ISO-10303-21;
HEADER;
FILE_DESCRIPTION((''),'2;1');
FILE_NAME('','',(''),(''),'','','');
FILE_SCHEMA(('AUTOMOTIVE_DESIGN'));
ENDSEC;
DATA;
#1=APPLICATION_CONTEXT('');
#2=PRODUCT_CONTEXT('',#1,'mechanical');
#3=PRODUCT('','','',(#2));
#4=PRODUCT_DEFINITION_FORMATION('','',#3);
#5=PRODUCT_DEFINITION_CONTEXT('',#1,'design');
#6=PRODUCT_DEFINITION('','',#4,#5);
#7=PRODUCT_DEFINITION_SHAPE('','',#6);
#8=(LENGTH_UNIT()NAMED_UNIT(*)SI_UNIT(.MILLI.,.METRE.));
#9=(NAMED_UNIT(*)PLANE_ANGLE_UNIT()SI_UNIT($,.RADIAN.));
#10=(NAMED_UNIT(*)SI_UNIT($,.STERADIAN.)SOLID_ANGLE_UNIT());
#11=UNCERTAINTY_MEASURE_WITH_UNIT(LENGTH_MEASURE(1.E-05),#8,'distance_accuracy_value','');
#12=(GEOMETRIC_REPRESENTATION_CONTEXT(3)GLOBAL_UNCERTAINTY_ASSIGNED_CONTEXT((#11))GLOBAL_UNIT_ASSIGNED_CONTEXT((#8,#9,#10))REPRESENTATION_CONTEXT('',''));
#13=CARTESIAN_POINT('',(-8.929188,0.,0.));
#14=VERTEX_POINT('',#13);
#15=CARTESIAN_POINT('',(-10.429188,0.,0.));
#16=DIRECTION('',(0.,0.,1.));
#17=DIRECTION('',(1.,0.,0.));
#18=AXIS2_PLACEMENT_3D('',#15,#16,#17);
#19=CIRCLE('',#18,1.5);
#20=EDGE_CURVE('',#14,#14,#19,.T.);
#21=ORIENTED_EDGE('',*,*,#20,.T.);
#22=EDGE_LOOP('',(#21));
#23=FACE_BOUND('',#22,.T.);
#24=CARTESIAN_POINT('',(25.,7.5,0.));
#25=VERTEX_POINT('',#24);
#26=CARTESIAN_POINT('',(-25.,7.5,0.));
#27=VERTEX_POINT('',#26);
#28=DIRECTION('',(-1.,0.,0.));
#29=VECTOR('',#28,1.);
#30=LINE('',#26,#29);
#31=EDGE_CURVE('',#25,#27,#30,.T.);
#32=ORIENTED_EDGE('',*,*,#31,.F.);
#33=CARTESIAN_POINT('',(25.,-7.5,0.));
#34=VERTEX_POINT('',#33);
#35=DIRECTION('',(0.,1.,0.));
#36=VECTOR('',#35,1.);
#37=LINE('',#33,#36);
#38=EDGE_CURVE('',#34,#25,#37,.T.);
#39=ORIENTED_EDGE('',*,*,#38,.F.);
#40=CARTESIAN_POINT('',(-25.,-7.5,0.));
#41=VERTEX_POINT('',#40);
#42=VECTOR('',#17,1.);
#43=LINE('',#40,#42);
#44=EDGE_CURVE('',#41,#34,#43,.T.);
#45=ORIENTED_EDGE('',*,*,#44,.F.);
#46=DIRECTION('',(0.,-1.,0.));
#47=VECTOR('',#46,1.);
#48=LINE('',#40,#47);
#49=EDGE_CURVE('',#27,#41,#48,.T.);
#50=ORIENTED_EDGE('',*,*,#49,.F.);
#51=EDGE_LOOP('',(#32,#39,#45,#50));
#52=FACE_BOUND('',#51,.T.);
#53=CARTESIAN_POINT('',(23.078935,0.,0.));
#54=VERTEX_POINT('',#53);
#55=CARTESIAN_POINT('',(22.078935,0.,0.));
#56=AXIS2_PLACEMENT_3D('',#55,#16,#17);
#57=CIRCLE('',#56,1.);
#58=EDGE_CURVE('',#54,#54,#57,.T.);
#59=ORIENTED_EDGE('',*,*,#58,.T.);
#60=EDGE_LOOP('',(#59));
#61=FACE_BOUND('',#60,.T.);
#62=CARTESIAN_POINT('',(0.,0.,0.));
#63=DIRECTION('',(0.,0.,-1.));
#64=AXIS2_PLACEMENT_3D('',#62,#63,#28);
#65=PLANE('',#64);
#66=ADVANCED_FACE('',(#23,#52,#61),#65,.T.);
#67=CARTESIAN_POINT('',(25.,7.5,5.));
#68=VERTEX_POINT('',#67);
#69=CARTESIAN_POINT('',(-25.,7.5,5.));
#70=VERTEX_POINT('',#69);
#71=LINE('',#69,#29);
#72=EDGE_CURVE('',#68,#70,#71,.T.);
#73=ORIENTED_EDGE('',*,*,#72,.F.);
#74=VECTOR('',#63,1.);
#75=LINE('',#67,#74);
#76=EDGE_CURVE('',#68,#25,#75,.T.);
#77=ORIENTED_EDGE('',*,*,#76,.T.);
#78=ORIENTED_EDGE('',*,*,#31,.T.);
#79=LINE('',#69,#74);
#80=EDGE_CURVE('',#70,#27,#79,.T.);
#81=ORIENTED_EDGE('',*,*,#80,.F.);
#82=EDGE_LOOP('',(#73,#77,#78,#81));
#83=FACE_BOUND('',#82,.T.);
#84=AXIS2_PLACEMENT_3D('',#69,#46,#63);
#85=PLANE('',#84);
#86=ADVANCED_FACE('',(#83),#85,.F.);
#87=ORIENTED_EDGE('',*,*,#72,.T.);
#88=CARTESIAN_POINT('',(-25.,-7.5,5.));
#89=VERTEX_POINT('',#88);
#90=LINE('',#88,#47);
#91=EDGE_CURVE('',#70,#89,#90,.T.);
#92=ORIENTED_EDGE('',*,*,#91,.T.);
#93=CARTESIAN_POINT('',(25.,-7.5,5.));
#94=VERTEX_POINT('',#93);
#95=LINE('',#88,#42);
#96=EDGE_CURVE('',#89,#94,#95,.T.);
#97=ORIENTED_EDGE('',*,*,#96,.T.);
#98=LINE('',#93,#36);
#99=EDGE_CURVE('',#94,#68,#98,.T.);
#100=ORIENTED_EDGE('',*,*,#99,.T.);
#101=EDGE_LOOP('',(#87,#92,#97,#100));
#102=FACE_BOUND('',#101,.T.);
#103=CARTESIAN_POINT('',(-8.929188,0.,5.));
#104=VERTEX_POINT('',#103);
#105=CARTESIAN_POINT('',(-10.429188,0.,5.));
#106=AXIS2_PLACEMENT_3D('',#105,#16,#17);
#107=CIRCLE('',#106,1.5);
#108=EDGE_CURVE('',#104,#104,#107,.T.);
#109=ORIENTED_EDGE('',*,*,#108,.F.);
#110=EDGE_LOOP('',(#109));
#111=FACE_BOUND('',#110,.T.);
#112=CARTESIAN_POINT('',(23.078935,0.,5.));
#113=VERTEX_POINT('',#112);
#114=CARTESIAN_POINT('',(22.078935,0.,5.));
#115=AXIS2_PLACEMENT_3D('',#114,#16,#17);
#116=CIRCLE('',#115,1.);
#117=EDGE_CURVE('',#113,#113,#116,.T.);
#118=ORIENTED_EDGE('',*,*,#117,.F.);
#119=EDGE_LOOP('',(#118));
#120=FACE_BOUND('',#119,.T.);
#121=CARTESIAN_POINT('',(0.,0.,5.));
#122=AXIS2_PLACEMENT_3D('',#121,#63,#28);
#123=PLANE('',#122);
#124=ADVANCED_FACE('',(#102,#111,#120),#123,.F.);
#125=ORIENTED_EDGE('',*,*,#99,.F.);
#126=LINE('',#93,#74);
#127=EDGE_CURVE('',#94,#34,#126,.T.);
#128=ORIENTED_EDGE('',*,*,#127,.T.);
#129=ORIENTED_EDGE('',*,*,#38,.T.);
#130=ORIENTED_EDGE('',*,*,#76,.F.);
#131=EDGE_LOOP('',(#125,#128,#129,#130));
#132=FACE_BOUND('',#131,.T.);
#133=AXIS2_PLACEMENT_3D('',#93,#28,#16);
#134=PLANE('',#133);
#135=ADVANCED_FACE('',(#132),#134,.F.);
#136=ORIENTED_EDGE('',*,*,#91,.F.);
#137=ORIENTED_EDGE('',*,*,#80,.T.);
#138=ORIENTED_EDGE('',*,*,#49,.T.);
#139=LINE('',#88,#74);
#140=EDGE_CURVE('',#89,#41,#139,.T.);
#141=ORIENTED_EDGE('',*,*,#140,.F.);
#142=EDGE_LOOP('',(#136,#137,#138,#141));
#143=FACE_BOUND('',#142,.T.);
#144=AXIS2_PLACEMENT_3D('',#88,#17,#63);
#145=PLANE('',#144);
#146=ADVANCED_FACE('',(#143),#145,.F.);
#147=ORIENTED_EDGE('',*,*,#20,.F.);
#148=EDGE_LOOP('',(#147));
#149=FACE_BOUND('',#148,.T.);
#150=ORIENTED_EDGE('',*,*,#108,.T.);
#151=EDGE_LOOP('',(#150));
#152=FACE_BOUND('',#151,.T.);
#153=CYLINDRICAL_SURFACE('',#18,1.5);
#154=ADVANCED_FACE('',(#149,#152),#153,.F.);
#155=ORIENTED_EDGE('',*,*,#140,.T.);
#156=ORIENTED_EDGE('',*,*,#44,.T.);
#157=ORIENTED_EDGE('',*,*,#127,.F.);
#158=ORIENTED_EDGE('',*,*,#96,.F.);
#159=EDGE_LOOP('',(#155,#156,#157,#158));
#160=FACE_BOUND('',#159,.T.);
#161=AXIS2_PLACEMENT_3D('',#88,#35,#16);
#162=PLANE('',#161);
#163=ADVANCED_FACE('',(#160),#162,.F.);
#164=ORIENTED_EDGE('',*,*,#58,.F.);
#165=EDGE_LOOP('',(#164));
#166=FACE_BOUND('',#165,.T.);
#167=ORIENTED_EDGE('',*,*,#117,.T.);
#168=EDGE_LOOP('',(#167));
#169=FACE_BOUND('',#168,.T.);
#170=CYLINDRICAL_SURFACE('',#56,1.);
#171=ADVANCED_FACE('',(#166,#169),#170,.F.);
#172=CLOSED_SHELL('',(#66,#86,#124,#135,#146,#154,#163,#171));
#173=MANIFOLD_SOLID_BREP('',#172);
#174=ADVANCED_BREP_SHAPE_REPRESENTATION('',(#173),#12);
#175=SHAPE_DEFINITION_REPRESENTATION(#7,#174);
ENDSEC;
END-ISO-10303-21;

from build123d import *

# Parameters (mm, degrees)
SKETCH2_W           = 50
SKETCH2_H           = 15
BOSS_EXTRUDE1_DEPTH = 5
SKETCH3_R           = 1.5
CUT_EXTRUDE1_DEPTH  = 6
SKETCH4_R           = 1
CUT_EXTRUDE2_DEPTH  = 6


with BuildPart() as part:
    # Sketch2 → Boss-Extrude1 (new body)
    with BuildSketch(Plane.XY):
        Rectangle(SKETCH2_W, SKETCH2_H)
    extrude(amount=BOSS_EXTRUDE1_DEPTH)

    # Sketch3 → Cut-Extrude1 (cut, through all)
    with BuildSketch(Plane.XY.offset(5)):
        with Locations((-10.429188339, 0)):
            Circle(SKETCH3_R)
    extrude(amount=-CUT_EXTRUDE1_DEPTH, mode=Mode.SUBTRACT)

    # Sketch4 → Cut-Extrude2 (cut, through all)
    with BuildSketch(Plane.XY.offset(5)):
        with Locations((22.078934641, 0)):
            Circle(SKETCH4_R)
    extrude(amount=-CUT_EXTRUDE2_DEPTH, mode=Mode.SUBTRACT)


solid = part.part
